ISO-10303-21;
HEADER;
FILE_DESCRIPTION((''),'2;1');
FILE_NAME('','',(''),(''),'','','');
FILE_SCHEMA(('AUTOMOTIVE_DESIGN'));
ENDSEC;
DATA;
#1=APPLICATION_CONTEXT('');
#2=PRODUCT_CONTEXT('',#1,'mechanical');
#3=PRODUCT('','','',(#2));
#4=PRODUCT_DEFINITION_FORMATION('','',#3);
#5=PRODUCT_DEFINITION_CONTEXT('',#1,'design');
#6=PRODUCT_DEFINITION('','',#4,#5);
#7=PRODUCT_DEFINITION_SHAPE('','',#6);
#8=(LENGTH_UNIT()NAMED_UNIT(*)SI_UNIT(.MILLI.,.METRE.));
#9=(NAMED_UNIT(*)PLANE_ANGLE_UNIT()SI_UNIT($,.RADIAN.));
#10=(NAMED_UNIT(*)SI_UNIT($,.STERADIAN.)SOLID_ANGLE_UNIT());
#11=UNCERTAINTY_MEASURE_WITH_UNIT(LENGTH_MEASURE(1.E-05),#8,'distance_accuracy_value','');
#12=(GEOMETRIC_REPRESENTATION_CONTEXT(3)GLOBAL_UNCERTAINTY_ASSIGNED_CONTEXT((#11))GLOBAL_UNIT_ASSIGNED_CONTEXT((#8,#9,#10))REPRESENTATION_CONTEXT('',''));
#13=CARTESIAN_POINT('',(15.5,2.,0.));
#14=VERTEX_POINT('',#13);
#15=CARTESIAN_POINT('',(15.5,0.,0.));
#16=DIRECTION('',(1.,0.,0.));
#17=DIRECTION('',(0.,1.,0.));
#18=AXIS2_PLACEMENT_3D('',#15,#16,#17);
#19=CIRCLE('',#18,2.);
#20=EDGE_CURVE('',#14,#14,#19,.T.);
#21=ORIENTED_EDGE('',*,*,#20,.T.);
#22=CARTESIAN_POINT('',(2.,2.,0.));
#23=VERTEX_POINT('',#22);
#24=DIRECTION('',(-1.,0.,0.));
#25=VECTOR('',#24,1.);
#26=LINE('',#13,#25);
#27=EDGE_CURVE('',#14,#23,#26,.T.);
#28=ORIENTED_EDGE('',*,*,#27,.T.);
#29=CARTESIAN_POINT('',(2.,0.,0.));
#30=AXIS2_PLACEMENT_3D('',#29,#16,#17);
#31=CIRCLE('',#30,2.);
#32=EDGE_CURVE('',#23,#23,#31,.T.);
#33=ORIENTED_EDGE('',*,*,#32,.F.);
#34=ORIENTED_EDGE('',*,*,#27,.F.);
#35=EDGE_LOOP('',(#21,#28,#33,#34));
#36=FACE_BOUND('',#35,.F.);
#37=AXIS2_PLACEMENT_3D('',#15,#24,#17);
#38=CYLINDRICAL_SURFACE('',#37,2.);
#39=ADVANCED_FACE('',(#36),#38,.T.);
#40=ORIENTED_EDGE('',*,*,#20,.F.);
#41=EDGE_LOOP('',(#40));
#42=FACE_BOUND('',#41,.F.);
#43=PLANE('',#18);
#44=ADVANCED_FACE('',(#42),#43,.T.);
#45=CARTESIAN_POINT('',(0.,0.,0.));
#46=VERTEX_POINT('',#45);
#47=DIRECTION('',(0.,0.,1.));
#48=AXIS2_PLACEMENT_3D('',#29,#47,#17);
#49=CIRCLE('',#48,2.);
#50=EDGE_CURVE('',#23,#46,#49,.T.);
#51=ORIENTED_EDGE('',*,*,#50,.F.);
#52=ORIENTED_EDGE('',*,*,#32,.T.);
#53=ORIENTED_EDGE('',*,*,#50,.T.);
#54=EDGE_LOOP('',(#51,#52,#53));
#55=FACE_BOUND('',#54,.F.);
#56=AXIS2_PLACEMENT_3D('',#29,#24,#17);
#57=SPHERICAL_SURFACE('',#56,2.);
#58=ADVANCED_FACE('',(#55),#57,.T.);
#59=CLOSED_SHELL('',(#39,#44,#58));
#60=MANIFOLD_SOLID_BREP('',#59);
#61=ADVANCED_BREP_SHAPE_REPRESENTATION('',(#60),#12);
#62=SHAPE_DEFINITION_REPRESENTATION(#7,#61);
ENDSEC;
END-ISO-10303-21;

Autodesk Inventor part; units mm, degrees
ref_plane "YZ Plane" through (0, 0, 0) normal (1, 0, 0) x (0, 1, 0)
ref_plane "XZ Plane" through (0, 0, 0) normal (0, 1, 0) x (-1, 0, 0)
ref_plane "XY Plane" through (0, 0, 0) normal (0, 0, 1) x (1, 0, 0)
sketch "Skizze1" plane through (0, 0, 0) normal (0, 0, 1) x (1, 0, 0)
  line L0 (0, 0) -> (15.5, 0)
  line L1 (15.5, 0) -> (15.5, 2)
  line L2 (15.5, 2) -> (2, 2)
  arc A0 (2, 2) -> (0, 0) centre (2, 0) ccw
  dimension "d0" = 15.5
  dimension "d1" = 4
revolve "Umdrehung1" add sketch "Skizze1" angle 360 about axis through (0, 0, 0) along (1, 0, 0)
properties part number "VierDurchmesser_Bolz" material "Aluminium 6061"
